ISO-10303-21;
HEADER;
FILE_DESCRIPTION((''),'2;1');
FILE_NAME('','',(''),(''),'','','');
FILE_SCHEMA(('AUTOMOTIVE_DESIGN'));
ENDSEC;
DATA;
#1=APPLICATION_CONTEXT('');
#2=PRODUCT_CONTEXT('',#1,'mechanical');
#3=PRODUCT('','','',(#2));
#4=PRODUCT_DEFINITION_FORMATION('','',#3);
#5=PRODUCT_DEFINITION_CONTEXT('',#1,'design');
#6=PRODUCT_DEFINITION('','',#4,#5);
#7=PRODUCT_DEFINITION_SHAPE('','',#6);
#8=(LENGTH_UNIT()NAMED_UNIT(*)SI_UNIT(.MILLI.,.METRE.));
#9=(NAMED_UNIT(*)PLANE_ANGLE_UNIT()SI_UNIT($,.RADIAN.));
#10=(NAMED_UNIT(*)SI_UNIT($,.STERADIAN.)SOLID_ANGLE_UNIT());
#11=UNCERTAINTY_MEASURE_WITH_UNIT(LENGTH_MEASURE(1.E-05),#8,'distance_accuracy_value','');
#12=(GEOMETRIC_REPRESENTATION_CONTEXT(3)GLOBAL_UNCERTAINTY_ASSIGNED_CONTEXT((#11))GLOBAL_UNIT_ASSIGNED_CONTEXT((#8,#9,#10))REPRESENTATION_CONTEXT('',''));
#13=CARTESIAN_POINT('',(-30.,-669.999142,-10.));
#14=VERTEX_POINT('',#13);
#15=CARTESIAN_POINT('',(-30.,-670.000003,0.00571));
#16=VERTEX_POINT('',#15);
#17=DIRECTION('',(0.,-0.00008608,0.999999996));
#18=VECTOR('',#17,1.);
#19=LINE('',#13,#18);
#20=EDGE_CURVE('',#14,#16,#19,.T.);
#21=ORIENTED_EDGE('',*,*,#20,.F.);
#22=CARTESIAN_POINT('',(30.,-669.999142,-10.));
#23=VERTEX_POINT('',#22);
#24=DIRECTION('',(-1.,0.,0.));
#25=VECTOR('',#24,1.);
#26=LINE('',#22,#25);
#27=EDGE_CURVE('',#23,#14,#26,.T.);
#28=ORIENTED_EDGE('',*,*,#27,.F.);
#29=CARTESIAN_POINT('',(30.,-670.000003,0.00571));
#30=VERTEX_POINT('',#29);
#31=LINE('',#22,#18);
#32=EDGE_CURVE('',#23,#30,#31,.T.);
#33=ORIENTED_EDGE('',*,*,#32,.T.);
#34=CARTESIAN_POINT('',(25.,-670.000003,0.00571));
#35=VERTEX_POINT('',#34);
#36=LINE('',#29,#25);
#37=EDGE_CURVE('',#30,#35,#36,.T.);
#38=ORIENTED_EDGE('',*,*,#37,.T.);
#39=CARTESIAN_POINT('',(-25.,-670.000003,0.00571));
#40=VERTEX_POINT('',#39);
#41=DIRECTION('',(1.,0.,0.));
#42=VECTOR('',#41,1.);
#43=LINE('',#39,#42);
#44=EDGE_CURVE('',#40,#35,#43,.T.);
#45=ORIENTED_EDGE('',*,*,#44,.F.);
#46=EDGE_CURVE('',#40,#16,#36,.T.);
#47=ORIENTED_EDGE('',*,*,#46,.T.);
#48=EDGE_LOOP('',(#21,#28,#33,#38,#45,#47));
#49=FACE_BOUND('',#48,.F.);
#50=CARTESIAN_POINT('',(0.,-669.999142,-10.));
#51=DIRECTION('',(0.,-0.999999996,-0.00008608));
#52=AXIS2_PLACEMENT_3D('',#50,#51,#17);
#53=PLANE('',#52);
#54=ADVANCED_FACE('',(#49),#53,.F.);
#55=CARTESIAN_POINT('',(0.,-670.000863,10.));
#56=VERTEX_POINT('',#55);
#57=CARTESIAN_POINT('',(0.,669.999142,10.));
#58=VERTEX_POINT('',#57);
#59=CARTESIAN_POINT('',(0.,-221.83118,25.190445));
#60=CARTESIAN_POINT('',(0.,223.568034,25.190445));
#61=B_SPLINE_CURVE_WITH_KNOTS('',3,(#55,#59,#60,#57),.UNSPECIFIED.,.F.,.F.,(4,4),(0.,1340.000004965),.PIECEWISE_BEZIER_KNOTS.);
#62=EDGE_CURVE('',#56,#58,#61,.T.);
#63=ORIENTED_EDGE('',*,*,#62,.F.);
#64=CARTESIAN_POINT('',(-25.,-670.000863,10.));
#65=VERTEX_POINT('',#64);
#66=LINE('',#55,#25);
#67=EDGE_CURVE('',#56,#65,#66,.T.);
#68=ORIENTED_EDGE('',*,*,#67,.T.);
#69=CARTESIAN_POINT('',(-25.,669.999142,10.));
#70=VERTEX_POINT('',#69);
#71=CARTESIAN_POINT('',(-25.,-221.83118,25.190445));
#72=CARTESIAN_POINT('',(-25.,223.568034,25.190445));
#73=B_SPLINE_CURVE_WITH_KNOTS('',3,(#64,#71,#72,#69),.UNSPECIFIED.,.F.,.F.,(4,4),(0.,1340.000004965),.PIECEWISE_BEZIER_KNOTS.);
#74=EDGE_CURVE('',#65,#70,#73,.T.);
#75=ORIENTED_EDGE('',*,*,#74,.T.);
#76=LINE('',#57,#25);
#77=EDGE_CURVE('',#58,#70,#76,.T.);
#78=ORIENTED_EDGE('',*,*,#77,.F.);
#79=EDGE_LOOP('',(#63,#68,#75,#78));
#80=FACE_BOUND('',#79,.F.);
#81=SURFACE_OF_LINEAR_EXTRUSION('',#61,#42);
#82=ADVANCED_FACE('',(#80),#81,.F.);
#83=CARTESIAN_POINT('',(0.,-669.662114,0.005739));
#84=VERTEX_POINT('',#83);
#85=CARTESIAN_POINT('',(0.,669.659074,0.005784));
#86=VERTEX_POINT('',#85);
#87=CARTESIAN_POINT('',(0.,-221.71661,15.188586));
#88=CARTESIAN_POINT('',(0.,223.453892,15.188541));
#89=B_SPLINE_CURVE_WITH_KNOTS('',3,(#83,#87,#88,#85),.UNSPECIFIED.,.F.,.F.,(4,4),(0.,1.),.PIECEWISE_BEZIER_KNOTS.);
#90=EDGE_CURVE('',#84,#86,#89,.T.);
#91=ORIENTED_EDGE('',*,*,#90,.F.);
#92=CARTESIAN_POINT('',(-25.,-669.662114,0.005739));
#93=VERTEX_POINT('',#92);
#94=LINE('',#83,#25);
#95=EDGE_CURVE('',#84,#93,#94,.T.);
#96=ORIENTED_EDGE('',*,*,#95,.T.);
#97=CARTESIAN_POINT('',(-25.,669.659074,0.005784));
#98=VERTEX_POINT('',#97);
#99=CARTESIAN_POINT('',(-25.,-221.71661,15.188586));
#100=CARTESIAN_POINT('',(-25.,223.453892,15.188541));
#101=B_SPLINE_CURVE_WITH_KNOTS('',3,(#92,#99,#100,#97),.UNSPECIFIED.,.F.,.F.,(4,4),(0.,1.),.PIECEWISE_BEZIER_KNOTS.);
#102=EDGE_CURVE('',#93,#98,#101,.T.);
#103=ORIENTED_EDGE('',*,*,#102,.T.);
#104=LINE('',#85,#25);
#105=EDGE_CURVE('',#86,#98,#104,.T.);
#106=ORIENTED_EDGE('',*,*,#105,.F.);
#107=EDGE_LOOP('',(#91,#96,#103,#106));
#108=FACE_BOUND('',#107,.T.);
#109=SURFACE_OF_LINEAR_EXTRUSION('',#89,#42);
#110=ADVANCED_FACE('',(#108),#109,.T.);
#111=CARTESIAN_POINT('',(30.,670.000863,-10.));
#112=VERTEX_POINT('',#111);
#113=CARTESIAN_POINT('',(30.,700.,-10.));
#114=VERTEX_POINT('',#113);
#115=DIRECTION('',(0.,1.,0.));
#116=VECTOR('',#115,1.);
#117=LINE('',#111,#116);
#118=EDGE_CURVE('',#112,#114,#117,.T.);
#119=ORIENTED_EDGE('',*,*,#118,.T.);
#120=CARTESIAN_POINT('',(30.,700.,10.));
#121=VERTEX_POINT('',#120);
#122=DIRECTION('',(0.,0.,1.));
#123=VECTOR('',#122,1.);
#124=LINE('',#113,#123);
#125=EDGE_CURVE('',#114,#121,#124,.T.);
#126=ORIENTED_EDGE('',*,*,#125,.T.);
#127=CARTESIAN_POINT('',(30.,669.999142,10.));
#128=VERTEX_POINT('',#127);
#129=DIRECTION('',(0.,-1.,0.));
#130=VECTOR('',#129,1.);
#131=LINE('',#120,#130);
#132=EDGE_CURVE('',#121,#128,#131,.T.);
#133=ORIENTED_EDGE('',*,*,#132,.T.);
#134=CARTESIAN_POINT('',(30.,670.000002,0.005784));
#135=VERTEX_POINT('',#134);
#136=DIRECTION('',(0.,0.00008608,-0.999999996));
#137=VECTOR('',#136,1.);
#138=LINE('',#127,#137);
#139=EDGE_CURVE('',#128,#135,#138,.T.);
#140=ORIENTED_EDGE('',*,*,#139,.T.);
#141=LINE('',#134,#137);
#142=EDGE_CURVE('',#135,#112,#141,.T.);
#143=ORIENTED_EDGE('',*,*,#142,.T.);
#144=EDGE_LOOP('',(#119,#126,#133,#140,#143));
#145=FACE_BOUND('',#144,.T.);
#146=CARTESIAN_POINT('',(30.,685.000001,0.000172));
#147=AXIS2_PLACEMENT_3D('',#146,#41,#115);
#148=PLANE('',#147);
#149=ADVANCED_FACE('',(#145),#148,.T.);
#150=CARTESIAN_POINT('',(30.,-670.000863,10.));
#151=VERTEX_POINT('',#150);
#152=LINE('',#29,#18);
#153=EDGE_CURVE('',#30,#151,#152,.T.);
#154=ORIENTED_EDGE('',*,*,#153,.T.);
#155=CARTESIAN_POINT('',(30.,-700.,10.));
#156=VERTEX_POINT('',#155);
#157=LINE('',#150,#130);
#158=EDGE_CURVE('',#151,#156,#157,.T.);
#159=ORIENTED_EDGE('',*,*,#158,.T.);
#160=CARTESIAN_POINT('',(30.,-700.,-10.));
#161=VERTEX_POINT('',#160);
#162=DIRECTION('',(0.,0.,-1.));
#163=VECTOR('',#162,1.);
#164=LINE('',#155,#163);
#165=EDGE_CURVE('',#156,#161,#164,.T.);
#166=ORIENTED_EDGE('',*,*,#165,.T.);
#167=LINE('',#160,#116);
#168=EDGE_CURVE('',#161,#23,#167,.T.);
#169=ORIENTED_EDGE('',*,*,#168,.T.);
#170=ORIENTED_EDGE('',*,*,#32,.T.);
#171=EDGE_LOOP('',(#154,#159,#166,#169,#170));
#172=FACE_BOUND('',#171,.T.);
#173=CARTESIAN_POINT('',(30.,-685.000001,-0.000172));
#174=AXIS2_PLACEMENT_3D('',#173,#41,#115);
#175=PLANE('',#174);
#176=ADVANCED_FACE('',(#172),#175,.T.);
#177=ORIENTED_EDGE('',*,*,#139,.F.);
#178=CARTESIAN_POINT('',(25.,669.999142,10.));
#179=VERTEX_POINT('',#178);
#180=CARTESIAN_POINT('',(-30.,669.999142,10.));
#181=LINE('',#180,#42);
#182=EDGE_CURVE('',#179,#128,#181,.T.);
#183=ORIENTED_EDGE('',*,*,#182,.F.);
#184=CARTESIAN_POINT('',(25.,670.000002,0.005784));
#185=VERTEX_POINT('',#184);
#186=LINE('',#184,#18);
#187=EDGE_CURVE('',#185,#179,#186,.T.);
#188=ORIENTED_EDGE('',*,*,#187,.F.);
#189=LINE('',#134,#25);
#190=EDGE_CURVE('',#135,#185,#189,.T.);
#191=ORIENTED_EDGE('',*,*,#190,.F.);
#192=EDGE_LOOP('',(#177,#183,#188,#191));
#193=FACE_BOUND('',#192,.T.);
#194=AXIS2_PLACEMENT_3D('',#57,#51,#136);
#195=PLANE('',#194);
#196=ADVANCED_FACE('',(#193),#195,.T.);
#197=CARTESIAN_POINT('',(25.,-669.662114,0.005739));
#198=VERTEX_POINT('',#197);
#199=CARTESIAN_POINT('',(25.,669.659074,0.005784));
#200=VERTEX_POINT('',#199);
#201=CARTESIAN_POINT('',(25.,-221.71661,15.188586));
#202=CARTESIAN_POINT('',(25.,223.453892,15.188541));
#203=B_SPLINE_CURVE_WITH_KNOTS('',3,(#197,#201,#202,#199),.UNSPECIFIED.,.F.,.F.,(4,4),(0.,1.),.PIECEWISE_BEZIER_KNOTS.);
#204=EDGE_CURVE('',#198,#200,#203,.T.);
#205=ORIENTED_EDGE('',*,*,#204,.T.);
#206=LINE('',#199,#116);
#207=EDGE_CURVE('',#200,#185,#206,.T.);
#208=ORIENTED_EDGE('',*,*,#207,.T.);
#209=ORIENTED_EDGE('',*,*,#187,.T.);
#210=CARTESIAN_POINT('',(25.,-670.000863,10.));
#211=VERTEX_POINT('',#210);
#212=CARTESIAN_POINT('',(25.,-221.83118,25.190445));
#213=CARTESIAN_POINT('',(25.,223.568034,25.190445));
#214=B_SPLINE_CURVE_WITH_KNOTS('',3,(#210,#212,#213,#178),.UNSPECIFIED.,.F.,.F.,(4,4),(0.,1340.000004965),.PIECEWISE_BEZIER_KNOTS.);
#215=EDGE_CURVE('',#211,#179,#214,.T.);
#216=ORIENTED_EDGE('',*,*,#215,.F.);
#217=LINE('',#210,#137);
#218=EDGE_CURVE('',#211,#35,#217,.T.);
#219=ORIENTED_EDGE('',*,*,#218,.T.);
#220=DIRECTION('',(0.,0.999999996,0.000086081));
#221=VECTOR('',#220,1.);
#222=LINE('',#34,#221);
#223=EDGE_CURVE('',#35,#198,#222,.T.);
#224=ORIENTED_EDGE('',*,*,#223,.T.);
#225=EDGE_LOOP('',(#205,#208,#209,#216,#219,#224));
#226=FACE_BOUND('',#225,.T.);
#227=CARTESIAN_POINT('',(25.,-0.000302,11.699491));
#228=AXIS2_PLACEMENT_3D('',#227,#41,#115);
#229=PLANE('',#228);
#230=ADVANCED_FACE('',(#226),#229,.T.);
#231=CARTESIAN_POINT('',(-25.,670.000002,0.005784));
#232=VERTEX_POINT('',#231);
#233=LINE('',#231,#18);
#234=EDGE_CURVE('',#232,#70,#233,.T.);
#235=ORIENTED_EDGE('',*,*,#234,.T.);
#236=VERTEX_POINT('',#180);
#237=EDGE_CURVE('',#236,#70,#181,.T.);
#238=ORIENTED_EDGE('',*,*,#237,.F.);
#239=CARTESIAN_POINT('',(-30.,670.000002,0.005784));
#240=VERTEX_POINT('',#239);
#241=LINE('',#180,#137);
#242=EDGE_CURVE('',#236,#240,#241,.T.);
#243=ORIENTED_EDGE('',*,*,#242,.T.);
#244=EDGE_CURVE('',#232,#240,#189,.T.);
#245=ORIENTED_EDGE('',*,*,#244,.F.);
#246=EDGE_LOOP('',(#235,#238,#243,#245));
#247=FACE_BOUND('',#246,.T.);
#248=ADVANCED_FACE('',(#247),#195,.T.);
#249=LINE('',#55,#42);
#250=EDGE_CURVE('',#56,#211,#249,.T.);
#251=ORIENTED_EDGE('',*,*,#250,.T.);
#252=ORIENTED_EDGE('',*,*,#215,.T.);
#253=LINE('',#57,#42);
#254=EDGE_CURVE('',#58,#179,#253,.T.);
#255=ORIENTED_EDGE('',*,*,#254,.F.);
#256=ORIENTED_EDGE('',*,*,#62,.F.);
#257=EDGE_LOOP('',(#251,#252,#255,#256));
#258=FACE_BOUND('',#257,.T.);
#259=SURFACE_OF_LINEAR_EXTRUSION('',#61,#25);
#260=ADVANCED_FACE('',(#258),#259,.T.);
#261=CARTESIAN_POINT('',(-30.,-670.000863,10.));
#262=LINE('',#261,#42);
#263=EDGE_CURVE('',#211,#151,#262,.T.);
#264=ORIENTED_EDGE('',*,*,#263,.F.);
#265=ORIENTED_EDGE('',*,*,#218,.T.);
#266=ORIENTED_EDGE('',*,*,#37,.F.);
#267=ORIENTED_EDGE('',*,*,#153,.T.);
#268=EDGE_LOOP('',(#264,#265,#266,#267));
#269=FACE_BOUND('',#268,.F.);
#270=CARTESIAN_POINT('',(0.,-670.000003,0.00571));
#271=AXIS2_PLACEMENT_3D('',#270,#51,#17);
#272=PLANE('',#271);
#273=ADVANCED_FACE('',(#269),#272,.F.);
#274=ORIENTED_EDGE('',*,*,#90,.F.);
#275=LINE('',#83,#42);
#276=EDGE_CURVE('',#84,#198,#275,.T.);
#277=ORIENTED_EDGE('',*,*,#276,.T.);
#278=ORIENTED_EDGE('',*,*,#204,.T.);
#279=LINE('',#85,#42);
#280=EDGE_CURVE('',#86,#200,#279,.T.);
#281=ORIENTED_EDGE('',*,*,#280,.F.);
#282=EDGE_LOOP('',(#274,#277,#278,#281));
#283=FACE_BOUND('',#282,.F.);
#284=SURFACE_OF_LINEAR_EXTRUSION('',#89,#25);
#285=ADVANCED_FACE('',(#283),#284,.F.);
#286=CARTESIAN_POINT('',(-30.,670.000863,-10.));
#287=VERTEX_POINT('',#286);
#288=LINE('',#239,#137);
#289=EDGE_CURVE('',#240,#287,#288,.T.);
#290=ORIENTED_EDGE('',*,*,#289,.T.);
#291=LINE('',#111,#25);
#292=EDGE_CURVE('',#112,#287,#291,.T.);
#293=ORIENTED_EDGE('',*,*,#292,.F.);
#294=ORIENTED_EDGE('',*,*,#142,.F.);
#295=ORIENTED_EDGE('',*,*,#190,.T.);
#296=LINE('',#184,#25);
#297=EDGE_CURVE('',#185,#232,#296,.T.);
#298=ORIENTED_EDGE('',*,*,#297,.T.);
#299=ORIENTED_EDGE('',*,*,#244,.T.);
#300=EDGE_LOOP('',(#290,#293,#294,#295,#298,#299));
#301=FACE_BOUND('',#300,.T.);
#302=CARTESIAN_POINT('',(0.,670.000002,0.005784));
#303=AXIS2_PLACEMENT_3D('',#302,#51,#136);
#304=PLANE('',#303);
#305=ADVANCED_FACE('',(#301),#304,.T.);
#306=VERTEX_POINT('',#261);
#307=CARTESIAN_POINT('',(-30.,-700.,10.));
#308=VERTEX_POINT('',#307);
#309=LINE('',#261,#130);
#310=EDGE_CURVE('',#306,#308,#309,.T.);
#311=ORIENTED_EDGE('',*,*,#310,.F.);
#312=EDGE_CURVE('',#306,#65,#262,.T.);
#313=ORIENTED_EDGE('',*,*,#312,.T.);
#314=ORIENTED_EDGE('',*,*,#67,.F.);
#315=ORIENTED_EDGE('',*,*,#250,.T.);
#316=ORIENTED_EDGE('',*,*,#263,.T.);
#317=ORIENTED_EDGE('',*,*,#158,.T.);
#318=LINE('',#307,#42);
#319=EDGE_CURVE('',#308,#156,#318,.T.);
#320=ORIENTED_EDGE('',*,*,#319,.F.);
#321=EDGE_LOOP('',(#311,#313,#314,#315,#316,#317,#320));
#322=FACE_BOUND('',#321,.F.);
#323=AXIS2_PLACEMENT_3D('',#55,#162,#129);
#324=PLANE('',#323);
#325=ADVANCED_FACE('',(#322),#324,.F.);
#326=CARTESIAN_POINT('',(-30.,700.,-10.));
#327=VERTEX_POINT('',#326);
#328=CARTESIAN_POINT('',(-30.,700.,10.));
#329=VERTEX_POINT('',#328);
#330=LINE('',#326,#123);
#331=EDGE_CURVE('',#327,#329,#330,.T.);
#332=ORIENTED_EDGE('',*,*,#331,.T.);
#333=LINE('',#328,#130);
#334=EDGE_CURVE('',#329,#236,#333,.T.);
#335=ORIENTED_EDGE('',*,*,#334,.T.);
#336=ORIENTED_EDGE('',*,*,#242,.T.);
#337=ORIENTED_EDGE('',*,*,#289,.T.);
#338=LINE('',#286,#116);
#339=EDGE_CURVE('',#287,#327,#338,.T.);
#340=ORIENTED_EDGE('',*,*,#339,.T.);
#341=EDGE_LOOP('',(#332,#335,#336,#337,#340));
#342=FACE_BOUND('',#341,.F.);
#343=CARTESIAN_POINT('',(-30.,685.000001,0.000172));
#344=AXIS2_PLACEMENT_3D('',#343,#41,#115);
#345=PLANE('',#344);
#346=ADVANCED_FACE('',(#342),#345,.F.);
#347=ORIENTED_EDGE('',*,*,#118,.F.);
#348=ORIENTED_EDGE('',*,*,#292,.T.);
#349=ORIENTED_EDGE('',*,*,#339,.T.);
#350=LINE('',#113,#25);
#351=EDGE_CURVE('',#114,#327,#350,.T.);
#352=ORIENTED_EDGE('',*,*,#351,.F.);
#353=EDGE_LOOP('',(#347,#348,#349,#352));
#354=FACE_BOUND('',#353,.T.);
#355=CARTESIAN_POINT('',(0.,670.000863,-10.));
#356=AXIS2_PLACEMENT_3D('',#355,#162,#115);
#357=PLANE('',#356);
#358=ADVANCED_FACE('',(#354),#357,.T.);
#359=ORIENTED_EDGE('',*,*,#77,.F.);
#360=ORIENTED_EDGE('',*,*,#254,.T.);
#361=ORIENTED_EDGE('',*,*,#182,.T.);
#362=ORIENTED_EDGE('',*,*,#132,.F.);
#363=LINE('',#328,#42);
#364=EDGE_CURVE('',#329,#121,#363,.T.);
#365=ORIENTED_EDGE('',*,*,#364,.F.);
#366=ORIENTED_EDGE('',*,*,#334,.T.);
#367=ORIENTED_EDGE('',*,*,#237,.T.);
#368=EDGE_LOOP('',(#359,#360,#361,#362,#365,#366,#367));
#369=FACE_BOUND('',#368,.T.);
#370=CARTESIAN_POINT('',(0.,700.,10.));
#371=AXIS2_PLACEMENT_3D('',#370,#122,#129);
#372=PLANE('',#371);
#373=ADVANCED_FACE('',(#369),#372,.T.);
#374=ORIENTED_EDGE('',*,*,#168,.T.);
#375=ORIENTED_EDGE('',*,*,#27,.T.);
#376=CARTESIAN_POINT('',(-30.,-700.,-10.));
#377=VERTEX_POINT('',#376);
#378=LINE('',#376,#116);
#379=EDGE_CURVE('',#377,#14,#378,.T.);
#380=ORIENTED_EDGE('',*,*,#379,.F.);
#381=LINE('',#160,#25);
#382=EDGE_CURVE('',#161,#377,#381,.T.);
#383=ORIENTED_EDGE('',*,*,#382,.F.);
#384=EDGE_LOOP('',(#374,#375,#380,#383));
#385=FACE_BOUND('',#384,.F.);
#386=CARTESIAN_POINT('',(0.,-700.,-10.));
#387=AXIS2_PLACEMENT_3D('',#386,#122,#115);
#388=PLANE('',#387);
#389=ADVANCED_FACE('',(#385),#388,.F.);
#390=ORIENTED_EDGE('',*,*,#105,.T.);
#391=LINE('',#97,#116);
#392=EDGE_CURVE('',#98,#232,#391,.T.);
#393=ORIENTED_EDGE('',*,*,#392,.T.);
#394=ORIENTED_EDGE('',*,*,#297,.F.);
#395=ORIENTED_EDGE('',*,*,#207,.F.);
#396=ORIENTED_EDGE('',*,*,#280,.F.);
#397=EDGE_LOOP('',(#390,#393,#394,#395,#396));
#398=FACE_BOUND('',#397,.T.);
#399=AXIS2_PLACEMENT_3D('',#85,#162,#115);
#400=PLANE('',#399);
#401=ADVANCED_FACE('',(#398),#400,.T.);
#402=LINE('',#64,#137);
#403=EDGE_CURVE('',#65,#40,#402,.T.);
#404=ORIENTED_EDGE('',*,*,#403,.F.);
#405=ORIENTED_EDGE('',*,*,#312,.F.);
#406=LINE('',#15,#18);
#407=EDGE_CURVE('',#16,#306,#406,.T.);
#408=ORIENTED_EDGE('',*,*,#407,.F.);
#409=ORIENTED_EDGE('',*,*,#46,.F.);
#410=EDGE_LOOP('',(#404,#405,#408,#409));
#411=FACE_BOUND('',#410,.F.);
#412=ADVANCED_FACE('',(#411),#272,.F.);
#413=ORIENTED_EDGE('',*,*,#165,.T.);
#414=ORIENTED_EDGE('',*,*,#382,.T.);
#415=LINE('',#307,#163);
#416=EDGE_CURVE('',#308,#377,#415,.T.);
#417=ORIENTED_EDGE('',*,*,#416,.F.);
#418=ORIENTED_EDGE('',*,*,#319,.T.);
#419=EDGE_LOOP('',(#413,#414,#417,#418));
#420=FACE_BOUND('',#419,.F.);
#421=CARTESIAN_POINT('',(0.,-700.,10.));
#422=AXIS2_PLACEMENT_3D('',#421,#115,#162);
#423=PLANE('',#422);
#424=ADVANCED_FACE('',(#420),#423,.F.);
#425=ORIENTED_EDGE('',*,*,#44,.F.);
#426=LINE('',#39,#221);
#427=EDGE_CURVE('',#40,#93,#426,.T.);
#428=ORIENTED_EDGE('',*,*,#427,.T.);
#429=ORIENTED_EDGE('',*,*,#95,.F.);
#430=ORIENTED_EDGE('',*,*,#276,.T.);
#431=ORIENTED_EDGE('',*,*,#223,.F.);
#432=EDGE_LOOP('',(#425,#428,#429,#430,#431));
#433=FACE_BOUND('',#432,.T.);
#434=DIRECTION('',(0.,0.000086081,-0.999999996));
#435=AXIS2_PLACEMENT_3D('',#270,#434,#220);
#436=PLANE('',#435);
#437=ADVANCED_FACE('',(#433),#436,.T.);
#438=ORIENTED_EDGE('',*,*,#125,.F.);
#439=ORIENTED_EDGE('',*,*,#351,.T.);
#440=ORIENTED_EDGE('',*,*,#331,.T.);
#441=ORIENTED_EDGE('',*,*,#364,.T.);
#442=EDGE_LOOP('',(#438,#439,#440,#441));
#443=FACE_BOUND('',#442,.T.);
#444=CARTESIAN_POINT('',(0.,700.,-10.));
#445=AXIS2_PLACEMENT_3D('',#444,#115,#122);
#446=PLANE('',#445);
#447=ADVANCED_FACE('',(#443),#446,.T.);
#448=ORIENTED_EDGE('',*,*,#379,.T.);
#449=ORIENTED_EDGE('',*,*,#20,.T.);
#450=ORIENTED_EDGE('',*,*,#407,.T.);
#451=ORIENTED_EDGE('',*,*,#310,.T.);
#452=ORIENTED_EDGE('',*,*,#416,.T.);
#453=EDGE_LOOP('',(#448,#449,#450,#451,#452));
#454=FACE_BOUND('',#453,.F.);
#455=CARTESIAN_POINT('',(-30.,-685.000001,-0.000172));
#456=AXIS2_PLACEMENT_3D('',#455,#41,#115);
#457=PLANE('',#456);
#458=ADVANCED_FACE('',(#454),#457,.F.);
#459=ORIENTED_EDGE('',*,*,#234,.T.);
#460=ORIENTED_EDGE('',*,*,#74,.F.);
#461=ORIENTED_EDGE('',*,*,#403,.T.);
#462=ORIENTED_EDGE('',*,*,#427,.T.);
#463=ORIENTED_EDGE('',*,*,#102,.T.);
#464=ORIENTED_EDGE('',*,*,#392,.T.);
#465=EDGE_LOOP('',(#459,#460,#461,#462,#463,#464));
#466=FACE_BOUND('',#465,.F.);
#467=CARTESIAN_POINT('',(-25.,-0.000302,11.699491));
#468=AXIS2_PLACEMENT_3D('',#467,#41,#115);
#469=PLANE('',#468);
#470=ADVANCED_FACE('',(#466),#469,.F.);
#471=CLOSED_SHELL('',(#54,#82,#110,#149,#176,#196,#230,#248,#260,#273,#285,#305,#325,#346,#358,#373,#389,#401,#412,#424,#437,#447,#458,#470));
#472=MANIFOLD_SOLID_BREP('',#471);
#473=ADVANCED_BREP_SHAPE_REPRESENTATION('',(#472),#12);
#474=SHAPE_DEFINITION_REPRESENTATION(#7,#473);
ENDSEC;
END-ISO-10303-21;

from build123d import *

# Parameters (mm, degrees)
F1_DEPTH = 25
F2_DEPTH = 30


with BuildPart() as f1:
    # F0 (on Right) → F1 (new body, symmetric)
    with BuildSketch(Plane.YZ):
        with BuildLine():
            Line((670.0000019844, 0.0057839585), (669.9991416782, 10))
            add(Edge.make_bspline(
                [(-670.0008632864, 10), (-221.8311803419, 25.190444721), (223.5680336059, 25.190444721), (669.9991416782, 10)],
                knots=[0, 0, 0, 0, 1340.0000049646, 1340.0000049646, 1340.0000049646, 1340.0000049646], degree=3))
            Line((-670.0008632864, 10), (-670.0000029738, 0.0057101232))
            Line((-670.0000029738, 0.0057101232), (-669.6621137639, 0.0057392089))
            add(Edge.make_bspline(
                [(-669.6621137639, 0.0057392089), (-221.7166102489, 15.1885855015), (223.4538922618, 15.1885412345), (669.6590744572, 0.0057839585)],
                knots=[0, 0, 0, 0, 1, 1, 1, 1], degree=3))
            Line((669.6590744572, 0.0057839585), (670.0000019844, 0.0057839585))
        make_face()
    extrude(amount=F1_DEPTH, both=True)

    # F0 (on Right) → F2 (join, symmetric)
    with BuildSketch(Plane.YZ):
        Polygon((-670.0000029738, 0.0057101232), (-670.0008632864, 10), (-699.9999998281, 10), (-699.9999998281, -10), (-669.9991416782, -10), align=None)
        Polygon((699.9999998281, -10), (699.9999998281, 10), (669.9991416782, 10), (670.0000019844, 0.0057839585), (670.0008632864, -10), align=None)
    extrude(amount=F2_DEPTH, both=True)


solid = f1.part
